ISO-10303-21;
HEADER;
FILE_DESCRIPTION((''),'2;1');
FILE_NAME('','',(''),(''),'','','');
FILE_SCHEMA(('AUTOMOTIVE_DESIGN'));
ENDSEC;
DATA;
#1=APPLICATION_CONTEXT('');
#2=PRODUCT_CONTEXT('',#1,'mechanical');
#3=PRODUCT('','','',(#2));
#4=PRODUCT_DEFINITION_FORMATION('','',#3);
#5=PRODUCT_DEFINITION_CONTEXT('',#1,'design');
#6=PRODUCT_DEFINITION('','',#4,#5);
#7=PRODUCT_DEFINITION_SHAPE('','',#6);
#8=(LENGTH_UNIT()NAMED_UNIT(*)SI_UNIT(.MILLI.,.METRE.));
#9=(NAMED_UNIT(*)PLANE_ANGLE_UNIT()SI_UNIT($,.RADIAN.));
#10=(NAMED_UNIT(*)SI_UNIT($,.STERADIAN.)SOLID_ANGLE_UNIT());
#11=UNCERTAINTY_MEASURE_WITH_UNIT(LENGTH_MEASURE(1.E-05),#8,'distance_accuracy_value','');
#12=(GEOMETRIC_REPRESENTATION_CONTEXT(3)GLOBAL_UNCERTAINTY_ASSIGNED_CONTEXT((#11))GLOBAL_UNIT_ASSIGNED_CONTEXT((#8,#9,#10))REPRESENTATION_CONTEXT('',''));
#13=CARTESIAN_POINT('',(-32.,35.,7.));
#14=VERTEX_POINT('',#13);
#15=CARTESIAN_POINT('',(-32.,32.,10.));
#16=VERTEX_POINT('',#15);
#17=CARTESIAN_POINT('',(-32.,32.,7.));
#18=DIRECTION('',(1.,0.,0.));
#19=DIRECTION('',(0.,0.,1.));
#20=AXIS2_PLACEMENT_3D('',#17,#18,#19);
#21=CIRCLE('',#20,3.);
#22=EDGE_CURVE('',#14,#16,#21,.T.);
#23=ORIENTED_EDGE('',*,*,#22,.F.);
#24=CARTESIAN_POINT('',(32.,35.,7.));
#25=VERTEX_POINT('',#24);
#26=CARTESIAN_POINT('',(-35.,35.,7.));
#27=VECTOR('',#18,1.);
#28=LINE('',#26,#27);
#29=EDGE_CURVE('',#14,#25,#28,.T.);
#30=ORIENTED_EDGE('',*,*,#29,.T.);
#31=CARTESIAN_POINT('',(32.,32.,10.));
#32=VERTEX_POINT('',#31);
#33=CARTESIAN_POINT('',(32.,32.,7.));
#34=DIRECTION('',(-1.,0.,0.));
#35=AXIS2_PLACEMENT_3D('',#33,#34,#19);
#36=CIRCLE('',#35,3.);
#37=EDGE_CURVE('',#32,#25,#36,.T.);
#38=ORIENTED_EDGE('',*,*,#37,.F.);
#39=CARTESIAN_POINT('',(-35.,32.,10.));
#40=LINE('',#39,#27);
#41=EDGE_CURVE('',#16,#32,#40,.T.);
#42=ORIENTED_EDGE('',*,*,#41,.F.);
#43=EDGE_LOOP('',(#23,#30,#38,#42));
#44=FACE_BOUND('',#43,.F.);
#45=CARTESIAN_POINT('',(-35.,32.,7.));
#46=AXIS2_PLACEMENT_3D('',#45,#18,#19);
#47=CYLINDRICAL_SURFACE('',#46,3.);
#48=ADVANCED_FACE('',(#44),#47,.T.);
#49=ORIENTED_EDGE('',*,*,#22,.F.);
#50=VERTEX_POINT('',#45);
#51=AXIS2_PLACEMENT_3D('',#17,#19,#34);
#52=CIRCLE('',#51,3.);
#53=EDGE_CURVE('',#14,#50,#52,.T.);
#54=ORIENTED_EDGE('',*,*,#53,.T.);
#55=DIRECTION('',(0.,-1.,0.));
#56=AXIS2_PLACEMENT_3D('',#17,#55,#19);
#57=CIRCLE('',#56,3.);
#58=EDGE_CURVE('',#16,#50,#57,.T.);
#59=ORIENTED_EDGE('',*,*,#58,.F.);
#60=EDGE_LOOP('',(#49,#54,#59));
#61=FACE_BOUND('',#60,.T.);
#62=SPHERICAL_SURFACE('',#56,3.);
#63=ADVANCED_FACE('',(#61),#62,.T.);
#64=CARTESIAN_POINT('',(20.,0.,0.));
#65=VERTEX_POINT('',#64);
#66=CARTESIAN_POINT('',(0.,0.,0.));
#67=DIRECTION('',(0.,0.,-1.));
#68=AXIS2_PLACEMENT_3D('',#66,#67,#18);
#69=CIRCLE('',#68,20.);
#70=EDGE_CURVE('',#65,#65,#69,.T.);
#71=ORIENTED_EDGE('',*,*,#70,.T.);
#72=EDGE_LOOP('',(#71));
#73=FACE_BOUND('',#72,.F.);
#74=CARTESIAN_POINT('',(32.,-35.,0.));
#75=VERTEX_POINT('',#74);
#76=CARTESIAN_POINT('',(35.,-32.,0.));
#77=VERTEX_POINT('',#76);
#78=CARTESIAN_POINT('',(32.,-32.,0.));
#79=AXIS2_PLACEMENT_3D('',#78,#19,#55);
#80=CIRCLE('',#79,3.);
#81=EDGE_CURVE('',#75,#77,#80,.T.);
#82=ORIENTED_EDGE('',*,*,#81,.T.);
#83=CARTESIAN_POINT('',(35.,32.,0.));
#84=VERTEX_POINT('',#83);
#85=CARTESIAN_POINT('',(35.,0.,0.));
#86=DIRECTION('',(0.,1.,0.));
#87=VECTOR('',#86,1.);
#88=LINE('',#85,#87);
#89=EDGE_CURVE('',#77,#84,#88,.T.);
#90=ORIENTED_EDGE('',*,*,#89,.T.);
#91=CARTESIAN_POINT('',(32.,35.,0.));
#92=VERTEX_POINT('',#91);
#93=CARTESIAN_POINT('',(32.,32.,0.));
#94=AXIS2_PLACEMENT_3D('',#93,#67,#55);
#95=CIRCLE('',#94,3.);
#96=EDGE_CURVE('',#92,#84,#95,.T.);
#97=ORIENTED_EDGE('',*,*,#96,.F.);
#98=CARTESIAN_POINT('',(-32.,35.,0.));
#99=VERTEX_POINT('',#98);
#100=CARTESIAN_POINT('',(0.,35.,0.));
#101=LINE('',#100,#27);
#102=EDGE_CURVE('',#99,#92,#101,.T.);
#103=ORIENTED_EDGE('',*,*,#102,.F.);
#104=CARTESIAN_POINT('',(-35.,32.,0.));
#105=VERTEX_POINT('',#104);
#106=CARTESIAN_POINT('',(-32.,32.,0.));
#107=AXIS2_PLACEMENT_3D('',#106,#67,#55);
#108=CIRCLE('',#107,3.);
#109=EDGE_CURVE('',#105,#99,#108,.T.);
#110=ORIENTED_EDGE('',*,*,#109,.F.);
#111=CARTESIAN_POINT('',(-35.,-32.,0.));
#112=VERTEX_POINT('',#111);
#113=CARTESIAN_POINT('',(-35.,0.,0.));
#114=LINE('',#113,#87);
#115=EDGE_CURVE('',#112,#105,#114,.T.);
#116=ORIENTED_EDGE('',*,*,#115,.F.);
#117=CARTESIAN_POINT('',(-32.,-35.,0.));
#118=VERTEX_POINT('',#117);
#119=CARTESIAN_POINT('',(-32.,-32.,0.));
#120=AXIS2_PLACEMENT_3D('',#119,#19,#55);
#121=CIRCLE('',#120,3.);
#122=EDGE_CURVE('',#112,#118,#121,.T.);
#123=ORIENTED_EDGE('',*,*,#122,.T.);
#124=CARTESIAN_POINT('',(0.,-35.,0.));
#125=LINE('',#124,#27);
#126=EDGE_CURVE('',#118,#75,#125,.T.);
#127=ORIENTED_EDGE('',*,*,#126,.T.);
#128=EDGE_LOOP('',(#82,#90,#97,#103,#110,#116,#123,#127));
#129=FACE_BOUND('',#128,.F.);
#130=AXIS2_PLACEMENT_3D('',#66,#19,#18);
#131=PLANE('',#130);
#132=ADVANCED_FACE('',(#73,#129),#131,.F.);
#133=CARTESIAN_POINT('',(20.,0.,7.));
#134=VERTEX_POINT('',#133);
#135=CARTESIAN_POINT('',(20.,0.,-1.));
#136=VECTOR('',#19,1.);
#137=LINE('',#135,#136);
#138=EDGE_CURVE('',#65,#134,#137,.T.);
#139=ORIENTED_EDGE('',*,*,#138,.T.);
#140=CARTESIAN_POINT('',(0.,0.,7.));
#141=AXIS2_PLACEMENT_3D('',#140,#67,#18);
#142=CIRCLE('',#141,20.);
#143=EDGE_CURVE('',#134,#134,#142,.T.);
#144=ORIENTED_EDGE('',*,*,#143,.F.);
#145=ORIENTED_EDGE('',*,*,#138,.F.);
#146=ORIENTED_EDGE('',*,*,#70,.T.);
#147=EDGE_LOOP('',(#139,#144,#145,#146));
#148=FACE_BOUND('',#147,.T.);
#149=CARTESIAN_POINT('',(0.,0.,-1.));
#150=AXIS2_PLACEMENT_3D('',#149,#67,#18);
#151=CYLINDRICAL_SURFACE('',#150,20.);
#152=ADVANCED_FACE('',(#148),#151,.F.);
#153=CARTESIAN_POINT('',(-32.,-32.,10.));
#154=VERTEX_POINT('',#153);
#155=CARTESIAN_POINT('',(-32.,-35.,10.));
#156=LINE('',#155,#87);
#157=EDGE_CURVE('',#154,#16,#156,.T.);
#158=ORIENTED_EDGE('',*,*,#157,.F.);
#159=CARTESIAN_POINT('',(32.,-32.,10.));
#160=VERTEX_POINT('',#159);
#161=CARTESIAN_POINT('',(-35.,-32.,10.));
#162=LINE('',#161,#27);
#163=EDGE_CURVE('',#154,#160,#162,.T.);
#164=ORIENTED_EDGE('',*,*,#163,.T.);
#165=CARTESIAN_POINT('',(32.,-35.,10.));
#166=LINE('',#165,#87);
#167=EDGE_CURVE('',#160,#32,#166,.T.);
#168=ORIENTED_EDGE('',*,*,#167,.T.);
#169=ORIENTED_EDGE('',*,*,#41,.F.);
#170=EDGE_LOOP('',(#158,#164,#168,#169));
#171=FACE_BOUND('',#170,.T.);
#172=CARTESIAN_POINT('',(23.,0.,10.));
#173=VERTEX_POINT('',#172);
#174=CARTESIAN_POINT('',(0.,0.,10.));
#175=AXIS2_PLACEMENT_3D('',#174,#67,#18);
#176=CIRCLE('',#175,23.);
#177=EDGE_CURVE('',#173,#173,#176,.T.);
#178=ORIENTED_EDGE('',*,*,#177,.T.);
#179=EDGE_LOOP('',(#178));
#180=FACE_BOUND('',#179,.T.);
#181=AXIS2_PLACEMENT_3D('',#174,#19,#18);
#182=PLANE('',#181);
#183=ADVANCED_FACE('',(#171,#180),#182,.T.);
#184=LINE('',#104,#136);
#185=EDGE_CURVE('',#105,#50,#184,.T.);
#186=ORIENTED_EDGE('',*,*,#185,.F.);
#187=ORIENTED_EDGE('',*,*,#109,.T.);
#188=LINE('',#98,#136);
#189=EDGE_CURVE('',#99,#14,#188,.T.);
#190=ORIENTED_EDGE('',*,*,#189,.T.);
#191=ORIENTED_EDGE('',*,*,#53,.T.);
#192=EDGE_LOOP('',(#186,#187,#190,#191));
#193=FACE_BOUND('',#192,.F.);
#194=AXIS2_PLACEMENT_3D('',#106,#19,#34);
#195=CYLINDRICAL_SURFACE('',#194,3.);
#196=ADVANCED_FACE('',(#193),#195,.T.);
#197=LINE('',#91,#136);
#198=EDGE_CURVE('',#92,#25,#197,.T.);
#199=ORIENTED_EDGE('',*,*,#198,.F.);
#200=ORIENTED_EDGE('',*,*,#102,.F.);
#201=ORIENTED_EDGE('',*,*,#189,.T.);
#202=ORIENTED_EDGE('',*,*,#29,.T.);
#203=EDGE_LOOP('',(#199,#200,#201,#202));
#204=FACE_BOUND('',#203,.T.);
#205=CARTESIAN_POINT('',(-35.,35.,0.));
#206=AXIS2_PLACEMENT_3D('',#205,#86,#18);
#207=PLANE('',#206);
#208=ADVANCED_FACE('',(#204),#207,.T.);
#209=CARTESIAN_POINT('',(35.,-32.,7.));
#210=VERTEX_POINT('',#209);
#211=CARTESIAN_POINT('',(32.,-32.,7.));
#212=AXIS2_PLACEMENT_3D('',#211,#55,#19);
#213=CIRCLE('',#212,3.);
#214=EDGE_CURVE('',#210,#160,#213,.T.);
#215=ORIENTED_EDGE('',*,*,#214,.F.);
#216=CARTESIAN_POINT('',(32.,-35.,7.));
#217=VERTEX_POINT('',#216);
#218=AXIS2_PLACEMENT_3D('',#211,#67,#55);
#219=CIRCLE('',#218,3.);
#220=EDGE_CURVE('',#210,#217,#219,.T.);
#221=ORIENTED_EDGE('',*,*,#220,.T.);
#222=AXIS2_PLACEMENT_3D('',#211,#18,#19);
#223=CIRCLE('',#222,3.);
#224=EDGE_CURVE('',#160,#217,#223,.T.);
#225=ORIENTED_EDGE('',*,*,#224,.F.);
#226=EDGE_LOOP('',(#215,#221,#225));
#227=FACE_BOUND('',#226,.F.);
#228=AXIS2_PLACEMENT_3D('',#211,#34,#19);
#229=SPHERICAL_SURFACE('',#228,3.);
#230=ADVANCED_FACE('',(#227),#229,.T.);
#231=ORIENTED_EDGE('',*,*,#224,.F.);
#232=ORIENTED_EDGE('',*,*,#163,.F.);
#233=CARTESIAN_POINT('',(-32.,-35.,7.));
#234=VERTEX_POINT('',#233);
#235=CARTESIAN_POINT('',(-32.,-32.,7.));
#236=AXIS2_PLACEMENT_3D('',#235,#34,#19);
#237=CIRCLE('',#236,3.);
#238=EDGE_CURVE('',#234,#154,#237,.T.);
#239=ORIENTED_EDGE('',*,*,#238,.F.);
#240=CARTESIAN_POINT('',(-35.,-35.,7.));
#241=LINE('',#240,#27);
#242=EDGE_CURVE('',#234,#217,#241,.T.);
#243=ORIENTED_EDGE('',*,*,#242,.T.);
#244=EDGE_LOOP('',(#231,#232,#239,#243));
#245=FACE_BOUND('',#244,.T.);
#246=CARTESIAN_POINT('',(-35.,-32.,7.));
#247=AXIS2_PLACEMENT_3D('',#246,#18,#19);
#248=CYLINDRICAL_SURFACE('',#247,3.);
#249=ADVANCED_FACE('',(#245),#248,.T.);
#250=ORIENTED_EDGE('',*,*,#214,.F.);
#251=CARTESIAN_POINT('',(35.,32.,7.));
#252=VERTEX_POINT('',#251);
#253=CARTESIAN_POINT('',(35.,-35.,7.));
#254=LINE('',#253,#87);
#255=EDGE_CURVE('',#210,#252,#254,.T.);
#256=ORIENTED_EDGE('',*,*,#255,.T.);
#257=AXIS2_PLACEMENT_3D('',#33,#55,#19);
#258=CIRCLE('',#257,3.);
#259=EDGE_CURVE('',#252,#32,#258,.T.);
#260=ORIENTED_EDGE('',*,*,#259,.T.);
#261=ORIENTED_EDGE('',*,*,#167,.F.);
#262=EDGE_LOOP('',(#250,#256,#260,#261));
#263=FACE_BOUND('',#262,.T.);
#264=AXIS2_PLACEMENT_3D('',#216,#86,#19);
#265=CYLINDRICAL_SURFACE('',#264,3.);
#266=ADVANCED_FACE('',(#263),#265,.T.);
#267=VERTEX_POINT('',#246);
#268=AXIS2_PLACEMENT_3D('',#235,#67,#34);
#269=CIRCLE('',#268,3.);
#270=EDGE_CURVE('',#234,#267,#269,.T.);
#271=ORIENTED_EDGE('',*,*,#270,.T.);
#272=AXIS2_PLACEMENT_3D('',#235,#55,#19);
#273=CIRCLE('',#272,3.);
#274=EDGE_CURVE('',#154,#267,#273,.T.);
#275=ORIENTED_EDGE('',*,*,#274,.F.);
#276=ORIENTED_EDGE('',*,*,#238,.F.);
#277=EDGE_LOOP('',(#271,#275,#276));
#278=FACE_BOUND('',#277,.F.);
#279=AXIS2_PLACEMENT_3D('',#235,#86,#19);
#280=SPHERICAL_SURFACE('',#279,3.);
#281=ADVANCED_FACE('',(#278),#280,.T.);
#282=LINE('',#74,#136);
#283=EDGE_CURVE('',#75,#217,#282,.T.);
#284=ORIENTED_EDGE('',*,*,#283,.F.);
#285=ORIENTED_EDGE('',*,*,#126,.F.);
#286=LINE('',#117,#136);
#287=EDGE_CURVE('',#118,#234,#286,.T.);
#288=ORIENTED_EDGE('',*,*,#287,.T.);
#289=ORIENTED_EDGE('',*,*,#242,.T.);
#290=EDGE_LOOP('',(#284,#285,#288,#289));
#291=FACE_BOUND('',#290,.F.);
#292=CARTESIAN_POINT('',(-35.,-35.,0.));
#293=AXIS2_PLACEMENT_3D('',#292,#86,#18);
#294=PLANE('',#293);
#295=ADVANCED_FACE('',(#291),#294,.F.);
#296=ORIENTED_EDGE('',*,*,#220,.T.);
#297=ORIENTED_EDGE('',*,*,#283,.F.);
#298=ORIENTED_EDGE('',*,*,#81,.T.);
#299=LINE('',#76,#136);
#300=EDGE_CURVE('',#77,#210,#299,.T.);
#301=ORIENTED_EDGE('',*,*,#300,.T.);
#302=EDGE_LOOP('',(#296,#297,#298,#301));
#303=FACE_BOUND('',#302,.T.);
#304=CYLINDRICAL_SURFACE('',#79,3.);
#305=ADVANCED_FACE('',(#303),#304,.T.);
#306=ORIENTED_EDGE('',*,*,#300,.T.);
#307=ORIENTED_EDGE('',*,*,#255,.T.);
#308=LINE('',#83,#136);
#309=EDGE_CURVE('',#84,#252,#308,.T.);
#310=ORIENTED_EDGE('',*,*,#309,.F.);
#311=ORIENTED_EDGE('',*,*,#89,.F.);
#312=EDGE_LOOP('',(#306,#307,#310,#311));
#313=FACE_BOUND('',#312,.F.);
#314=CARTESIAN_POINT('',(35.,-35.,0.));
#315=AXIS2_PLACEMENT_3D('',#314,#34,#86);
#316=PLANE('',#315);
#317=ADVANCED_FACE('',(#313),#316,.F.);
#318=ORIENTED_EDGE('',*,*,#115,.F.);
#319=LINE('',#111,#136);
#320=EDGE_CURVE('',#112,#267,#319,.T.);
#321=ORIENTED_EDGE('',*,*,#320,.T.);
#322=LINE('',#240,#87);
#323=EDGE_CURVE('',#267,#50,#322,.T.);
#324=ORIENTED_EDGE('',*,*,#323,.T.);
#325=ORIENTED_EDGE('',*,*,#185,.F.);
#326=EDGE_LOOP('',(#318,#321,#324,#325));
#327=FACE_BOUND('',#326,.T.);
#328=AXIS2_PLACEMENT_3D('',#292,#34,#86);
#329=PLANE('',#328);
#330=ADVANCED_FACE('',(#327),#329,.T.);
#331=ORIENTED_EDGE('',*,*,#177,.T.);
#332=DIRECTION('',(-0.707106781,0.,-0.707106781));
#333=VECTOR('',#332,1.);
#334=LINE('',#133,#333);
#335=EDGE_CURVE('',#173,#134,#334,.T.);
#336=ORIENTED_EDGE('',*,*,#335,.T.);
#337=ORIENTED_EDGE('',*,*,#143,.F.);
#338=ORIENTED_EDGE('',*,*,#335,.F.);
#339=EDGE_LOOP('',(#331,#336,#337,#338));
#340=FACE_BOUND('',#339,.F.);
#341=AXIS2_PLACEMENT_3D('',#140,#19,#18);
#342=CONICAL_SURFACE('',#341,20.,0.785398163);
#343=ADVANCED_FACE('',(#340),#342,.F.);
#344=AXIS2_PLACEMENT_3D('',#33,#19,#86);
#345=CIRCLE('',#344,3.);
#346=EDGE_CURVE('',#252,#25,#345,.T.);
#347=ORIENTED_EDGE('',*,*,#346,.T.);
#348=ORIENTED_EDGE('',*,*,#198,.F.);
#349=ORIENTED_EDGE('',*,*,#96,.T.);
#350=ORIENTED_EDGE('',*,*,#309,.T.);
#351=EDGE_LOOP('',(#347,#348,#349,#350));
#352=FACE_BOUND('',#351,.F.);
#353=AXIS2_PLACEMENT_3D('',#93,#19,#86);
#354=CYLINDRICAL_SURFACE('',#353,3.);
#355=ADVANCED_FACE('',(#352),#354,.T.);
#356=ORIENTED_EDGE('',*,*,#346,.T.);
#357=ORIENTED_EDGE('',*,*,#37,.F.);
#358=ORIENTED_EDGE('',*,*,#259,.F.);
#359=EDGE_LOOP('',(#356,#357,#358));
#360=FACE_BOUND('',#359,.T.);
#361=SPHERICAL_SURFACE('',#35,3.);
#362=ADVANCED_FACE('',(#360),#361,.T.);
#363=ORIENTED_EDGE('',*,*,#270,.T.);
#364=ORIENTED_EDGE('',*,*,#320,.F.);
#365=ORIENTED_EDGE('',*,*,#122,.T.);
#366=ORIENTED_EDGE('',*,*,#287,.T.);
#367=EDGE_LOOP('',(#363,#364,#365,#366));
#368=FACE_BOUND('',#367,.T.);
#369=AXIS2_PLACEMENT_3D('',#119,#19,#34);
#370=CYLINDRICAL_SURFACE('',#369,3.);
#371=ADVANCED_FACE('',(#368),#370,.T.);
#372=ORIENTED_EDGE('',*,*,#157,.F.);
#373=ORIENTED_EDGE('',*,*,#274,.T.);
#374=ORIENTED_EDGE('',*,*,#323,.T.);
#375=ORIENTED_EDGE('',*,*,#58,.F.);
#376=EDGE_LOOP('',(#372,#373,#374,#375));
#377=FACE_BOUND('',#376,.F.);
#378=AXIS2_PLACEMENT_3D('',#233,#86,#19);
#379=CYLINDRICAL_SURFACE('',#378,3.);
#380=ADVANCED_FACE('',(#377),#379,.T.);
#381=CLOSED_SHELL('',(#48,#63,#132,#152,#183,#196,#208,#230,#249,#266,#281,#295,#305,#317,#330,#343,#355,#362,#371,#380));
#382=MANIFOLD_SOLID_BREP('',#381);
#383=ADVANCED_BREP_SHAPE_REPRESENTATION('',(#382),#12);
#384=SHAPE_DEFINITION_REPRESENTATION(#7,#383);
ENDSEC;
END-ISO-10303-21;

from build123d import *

# Parameters (mm, degrees)
CYLINDER_R     = 20
CYLINDER_DEPTH = 20
BOX_W          = 70
BOX_H          = 70
BOX_DEPTH      = 10
CHAMFER_SIZE   = 3
FILLET_R       = 3


with BuildPart() as cylinder:
    # Cylinder → Cylinder (new body)
    with BuildSketch(Plane.XY.offset(-1)):
        Circle(CYLINDER_R)
    extrude(amount=CYLINDER_DEPTH)


with BuildPart() as fillet_body:
    # Box → Box (new body)
    with BuildSketch(Plane(origin=(-35, -35, 0), x_dir=(1, 0, 0), z_dir=(0, 0, 1))):
        with Locations((35, 35)):
            Rectangle(BOX_W, BOX_H)
    extrude(amount=BOX_DEPTH)

    # Cut: cut Cylinder
    add(cylinder.part, mode=Mode.SUBTRACT)

    # Chamfer
    chamfer_edges = [fillet_body.edges().sort_by_distance(p)[0] for p in [
        (-20, 0, 10),
    ]]
    chamfer(chamfer_edges, length=CHAMFER_SIZE)

    # Fillet
    fillet_edges = [fillet_body.edges().sort_by_distance(p)[0] for p in [
        (-35, 0, 10),
        (0, 35, 10),
        (0, -35, 10),
        (35, 0, 10),
        (-35, -35, 5),
        (-35, 35, 5),
        (35, 35, 5),
        (35, -35, 5),
    ]]
    fillet(fillet_edges, radius=FILLET_R)


solid = fillet_body.part
